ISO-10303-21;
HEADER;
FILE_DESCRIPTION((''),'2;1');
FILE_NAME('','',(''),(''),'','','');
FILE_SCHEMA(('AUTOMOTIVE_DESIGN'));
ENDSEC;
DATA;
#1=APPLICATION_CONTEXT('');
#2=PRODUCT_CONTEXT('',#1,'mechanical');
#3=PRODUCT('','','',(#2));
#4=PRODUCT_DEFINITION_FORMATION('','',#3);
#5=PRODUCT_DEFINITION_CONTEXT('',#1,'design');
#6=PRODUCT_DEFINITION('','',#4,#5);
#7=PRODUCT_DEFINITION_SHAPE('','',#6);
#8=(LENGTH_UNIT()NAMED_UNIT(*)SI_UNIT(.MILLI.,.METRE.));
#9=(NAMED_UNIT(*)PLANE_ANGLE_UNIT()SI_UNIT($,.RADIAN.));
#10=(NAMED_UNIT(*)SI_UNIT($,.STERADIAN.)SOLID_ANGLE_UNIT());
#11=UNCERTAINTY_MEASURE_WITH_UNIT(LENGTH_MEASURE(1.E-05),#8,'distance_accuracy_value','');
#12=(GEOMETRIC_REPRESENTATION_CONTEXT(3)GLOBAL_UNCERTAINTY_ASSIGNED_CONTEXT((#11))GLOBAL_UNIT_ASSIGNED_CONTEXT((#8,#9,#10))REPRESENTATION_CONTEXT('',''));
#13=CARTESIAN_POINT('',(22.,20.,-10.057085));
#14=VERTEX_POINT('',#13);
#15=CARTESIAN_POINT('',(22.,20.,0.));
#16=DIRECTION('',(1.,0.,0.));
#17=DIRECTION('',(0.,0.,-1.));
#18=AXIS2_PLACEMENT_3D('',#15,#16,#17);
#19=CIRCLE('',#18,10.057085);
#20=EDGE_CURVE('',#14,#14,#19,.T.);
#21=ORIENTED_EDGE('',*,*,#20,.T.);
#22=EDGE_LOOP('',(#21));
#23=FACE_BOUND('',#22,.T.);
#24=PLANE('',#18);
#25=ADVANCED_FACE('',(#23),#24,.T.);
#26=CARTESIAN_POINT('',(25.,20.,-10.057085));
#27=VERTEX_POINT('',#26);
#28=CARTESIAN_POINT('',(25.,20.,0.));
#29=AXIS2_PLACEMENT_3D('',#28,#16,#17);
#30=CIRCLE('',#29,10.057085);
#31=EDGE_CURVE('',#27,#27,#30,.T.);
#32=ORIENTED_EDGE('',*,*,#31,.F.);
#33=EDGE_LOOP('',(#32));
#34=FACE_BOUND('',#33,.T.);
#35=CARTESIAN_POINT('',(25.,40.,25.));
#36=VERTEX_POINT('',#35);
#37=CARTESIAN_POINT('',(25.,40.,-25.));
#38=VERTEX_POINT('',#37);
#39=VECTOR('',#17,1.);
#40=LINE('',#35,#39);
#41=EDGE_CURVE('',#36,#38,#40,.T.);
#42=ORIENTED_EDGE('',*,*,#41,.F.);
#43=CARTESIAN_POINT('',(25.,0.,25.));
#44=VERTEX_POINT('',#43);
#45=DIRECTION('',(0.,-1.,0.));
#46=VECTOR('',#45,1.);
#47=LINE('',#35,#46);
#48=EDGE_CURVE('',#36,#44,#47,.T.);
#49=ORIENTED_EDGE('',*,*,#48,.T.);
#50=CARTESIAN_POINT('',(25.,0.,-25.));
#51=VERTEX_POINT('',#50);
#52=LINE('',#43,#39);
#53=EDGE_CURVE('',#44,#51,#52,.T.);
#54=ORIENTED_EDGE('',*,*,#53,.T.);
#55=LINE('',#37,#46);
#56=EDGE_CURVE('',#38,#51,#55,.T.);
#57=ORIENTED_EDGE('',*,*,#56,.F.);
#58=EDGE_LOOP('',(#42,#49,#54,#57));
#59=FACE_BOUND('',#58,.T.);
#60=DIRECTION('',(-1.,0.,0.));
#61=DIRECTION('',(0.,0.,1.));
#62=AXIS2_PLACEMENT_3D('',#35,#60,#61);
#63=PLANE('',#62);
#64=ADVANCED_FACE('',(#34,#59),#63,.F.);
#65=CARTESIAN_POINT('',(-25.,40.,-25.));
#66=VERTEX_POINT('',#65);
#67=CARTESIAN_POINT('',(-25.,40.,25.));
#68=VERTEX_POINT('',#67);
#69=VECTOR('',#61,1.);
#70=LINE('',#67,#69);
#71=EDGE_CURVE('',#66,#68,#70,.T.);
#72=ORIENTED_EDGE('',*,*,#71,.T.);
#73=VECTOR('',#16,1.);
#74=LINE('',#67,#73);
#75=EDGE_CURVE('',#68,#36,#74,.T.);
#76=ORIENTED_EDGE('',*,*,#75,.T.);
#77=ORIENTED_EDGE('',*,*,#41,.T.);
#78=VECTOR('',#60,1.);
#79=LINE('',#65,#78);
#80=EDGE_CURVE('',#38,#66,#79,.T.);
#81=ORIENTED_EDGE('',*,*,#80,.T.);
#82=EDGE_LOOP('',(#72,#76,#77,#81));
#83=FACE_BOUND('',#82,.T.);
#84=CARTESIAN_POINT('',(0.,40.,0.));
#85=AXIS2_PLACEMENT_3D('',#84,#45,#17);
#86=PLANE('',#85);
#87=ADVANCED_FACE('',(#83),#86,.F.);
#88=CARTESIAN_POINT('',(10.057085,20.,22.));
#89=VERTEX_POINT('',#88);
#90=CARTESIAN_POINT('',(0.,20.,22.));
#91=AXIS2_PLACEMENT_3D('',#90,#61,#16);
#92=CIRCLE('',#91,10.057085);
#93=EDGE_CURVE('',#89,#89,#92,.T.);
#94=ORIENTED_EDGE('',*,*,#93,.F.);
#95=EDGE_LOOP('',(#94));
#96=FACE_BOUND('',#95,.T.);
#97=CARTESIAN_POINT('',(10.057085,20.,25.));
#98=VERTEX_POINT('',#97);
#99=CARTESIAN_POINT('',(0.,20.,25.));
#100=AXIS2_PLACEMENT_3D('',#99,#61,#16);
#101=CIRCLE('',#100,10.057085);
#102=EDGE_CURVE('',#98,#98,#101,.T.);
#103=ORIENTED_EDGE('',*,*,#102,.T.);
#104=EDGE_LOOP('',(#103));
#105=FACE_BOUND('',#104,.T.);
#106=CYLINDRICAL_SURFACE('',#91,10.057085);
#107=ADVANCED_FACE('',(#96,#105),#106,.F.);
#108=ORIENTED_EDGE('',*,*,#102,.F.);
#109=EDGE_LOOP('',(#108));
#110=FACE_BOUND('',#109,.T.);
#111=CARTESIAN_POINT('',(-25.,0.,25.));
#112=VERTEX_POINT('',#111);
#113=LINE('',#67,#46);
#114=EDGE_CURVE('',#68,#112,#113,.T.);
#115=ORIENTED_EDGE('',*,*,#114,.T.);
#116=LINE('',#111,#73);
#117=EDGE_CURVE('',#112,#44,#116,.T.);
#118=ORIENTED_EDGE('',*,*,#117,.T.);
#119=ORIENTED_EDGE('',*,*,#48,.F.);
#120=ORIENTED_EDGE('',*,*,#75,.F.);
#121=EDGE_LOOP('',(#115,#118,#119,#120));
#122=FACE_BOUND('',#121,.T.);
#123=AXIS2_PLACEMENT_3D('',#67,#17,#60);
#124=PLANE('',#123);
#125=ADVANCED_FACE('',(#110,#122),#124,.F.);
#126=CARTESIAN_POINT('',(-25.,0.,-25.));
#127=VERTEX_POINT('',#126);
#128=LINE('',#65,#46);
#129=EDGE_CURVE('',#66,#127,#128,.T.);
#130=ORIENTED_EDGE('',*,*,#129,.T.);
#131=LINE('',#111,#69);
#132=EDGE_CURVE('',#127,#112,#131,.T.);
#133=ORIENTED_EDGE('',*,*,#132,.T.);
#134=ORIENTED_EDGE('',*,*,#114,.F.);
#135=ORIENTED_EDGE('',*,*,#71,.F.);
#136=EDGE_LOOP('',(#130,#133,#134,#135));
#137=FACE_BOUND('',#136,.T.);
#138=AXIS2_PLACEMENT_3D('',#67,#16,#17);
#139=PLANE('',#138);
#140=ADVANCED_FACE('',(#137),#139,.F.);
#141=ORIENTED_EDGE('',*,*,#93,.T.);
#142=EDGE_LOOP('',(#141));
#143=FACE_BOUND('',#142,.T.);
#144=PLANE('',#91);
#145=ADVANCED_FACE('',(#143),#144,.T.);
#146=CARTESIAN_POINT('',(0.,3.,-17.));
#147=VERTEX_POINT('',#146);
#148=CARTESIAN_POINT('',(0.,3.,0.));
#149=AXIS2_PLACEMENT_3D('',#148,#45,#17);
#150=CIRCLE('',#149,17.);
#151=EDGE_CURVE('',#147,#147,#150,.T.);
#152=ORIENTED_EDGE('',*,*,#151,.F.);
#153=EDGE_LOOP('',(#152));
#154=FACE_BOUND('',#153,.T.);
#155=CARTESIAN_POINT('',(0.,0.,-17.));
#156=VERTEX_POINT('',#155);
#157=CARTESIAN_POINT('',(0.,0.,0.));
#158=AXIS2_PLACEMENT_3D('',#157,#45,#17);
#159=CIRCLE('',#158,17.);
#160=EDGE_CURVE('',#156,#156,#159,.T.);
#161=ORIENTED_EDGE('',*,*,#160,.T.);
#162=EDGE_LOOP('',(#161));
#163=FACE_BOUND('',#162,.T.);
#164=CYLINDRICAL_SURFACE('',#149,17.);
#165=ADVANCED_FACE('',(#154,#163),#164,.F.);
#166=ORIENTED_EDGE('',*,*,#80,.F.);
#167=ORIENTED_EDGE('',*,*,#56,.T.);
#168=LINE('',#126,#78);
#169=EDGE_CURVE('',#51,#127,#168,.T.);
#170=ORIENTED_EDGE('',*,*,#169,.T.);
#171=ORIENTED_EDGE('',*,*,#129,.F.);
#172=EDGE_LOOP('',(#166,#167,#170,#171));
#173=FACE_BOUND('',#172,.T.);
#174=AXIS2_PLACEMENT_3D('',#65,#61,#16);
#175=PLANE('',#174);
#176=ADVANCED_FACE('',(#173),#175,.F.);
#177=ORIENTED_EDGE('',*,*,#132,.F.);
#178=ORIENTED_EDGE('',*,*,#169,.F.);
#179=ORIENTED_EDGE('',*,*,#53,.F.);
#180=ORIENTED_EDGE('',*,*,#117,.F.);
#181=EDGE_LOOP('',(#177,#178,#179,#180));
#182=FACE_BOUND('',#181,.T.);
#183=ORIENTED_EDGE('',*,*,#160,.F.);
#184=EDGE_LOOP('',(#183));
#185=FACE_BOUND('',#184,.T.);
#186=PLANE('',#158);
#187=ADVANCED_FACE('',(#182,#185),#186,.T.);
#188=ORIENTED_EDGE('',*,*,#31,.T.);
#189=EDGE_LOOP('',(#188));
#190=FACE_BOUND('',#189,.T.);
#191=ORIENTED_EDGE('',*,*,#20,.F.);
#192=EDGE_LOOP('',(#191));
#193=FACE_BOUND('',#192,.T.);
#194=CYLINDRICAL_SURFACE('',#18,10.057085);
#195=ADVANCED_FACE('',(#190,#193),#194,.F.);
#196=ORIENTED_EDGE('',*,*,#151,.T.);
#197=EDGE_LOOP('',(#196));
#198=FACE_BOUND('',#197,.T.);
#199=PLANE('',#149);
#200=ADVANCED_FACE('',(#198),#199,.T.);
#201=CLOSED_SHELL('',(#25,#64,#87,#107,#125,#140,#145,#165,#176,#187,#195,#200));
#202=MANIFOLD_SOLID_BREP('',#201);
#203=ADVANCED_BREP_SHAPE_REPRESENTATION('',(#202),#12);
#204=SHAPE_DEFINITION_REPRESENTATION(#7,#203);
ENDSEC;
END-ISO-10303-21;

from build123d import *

# Parameters (mm, degrees)
SKETCH1_W           = 50
SKETCH1_H           = 50
BOSS_EXTRUDE1_DEPTH = 40
SKETCH5_R           = 10.057084534
CUT_EXTRUDE1_DEPTH  = 3
SKETCH4_R           = 10.057084534
CUT_EXTRUDE2_DEPTH  = 3
SKETCH2_R           = 17
CUT_EXTRUDE3_DEPTH  = 3


with BuildPart() as part:
    # Sketch1 → Boss-Extrude1 (new body)
    with BuildSketch(Plane(origin=(0, 0, 0), x_dir=(1, 0, 0), z_dir=(0, 1, 0))):
        Rectangle(SKETCH1_W, SKETCH1_H)
    extrude(amount=BOSS_EXTRUDE1_DEPTH)

    # Sketch5 → Cut-Extrude1 (cut)
    with BuildSketch(Plane(origin=(25, 0, 0), x_dir=(0, 0, -1), z_dir=(1, 0, 0))):
        with Locations((0, 20)):
            Circle(SKETCH5_R)
    extrude(amount=-CUT_EXTRUDE1_DEPTH, mode=Mode.SUBTRACT)

    # Sketch4 → Cut-Extrude2 (cut)
    with BuildSketch(Plane.XY.offset(25)):
        with Locations((0, 20)):
            Circle(SKETCH4_R)
    extrude(amount=-CUT_EXTRUDE2_DEPTH, mode=Mode.SUBTRACT)

    # Sketch2 → Cut-Extrude3 (cut)
    with BuildSketch(Plane.XZ):
        Circle(SKETCH2_R)
    extrude(amount=-CUT_EXTRUDE3_DEPTH, mode=Mode.SUBTRACT)


solid = part.part
